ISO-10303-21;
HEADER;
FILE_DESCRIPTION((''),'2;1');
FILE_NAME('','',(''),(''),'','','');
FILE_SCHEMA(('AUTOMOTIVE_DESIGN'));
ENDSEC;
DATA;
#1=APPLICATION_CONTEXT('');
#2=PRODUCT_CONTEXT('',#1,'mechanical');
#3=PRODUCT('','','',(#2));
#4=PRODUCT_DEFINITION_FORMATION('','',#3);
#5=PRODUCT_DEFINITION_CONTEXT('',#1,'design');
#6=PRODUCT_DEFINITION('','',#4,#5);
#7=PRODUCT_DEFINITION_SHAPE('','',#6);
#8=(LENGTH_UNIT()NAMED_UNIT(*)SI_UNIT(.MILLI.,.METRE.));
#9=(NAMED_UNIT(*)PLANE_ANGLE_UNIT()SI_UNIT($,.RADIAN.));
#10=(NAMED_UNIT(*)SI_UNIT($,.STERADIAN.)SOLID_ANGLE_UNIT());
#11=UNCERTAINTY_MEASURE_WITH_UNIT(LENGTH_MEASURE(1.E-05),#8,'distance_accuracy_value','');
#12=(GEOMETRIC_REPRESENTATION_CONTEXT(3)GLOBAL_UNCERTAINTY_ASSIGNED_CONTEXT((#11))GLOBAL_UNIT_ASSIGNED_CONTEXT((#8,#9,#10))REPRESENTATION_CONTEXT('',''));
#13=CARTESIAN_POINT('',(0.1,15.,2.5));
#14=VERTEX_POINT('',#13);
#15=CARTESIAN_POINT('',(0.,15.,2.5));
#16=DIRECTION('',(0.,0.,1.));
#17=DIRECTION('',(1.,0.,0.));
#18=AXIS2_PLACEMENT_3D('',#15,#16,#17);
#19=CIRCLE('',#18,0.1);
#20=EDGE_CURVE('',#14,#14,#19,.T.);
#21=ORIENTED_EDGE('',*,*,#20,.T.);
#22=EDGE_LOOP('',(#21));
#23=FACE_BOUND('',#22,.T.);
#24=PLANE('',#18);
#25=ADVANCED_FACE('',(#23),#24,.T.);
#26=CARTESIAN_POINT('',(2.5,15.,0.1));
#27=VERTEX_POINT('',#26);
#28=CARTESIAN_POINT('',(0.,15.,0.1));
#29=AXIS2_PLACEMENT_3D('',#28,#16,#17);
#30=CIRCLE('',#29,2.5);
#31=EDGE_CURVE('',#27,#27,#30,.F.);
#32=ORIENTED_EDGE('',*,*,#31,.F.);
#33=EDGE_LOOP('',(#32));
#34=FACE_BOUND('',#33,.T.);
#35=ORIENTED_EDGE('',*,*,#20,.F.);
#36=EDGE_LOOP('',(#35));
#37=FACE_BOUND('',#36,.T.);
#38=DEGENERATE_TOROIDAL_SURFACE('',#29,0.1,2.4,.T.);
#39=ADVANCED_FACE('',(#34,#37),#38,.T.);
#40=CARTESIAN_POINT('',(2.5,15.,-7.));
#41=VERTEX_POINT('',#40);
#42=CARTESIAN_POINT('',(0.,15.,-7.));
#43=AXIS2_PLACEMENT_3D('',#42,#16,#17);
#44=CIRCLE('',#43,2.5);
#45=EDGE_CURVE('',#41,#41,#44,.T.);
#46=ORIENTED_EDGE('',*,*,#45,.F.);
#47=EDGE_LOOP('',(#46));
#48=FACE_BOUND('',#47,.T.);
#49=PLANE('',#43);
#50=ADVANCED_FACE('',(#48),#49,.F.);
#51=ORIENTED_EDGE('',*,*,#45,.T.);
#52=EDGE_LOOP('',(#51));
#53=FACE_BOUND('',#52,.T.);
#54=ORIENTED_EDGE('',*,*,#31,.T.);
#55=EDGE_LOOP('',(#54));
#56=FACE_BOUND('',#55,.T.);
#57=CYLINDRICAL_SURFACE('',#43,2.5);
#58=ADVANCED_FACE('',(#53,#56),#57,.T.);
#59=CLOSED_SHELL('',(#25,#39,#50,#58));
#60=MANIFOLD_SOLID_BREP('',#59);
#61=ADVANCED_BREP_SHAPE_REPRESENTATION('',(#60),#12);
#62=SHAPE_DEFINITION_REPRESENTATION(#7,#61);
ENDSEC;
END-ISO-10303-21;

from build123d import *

# Parameters (mm, degrees)
EXTRUDE_1_DEPTH      = 2.5
EXTRUDE_1_DEPTH_BACK = 7
SKETCH_1_R           = 2.5
FILLET_1_R           = 2.4


with BuildPart() as part:
    # Эскиз1 → Бобышка-Вытянуть1 (new, two sides: drawn at the far end of the back side and taken through both)
    with BuildSketch(Plane.XY.offset(-EXTRUDE_1_DEPTH_BACK)):
        with Locations((0, 15)):
            Circle(SKETCH_1_R)
    extrude(amount=EXTRUDE_1_DEPTH + EXTRUDE_1_DEPTH_BACK)

    # Скругление1
    fillet_1_edges = [part.edges().sort_by_distance(p)[0] for p in [
        (-2.5, 15, 2.5),
    ]]
    fillet(fillet_1_edges, radius=FILLET_1_R)


solid = part.part
